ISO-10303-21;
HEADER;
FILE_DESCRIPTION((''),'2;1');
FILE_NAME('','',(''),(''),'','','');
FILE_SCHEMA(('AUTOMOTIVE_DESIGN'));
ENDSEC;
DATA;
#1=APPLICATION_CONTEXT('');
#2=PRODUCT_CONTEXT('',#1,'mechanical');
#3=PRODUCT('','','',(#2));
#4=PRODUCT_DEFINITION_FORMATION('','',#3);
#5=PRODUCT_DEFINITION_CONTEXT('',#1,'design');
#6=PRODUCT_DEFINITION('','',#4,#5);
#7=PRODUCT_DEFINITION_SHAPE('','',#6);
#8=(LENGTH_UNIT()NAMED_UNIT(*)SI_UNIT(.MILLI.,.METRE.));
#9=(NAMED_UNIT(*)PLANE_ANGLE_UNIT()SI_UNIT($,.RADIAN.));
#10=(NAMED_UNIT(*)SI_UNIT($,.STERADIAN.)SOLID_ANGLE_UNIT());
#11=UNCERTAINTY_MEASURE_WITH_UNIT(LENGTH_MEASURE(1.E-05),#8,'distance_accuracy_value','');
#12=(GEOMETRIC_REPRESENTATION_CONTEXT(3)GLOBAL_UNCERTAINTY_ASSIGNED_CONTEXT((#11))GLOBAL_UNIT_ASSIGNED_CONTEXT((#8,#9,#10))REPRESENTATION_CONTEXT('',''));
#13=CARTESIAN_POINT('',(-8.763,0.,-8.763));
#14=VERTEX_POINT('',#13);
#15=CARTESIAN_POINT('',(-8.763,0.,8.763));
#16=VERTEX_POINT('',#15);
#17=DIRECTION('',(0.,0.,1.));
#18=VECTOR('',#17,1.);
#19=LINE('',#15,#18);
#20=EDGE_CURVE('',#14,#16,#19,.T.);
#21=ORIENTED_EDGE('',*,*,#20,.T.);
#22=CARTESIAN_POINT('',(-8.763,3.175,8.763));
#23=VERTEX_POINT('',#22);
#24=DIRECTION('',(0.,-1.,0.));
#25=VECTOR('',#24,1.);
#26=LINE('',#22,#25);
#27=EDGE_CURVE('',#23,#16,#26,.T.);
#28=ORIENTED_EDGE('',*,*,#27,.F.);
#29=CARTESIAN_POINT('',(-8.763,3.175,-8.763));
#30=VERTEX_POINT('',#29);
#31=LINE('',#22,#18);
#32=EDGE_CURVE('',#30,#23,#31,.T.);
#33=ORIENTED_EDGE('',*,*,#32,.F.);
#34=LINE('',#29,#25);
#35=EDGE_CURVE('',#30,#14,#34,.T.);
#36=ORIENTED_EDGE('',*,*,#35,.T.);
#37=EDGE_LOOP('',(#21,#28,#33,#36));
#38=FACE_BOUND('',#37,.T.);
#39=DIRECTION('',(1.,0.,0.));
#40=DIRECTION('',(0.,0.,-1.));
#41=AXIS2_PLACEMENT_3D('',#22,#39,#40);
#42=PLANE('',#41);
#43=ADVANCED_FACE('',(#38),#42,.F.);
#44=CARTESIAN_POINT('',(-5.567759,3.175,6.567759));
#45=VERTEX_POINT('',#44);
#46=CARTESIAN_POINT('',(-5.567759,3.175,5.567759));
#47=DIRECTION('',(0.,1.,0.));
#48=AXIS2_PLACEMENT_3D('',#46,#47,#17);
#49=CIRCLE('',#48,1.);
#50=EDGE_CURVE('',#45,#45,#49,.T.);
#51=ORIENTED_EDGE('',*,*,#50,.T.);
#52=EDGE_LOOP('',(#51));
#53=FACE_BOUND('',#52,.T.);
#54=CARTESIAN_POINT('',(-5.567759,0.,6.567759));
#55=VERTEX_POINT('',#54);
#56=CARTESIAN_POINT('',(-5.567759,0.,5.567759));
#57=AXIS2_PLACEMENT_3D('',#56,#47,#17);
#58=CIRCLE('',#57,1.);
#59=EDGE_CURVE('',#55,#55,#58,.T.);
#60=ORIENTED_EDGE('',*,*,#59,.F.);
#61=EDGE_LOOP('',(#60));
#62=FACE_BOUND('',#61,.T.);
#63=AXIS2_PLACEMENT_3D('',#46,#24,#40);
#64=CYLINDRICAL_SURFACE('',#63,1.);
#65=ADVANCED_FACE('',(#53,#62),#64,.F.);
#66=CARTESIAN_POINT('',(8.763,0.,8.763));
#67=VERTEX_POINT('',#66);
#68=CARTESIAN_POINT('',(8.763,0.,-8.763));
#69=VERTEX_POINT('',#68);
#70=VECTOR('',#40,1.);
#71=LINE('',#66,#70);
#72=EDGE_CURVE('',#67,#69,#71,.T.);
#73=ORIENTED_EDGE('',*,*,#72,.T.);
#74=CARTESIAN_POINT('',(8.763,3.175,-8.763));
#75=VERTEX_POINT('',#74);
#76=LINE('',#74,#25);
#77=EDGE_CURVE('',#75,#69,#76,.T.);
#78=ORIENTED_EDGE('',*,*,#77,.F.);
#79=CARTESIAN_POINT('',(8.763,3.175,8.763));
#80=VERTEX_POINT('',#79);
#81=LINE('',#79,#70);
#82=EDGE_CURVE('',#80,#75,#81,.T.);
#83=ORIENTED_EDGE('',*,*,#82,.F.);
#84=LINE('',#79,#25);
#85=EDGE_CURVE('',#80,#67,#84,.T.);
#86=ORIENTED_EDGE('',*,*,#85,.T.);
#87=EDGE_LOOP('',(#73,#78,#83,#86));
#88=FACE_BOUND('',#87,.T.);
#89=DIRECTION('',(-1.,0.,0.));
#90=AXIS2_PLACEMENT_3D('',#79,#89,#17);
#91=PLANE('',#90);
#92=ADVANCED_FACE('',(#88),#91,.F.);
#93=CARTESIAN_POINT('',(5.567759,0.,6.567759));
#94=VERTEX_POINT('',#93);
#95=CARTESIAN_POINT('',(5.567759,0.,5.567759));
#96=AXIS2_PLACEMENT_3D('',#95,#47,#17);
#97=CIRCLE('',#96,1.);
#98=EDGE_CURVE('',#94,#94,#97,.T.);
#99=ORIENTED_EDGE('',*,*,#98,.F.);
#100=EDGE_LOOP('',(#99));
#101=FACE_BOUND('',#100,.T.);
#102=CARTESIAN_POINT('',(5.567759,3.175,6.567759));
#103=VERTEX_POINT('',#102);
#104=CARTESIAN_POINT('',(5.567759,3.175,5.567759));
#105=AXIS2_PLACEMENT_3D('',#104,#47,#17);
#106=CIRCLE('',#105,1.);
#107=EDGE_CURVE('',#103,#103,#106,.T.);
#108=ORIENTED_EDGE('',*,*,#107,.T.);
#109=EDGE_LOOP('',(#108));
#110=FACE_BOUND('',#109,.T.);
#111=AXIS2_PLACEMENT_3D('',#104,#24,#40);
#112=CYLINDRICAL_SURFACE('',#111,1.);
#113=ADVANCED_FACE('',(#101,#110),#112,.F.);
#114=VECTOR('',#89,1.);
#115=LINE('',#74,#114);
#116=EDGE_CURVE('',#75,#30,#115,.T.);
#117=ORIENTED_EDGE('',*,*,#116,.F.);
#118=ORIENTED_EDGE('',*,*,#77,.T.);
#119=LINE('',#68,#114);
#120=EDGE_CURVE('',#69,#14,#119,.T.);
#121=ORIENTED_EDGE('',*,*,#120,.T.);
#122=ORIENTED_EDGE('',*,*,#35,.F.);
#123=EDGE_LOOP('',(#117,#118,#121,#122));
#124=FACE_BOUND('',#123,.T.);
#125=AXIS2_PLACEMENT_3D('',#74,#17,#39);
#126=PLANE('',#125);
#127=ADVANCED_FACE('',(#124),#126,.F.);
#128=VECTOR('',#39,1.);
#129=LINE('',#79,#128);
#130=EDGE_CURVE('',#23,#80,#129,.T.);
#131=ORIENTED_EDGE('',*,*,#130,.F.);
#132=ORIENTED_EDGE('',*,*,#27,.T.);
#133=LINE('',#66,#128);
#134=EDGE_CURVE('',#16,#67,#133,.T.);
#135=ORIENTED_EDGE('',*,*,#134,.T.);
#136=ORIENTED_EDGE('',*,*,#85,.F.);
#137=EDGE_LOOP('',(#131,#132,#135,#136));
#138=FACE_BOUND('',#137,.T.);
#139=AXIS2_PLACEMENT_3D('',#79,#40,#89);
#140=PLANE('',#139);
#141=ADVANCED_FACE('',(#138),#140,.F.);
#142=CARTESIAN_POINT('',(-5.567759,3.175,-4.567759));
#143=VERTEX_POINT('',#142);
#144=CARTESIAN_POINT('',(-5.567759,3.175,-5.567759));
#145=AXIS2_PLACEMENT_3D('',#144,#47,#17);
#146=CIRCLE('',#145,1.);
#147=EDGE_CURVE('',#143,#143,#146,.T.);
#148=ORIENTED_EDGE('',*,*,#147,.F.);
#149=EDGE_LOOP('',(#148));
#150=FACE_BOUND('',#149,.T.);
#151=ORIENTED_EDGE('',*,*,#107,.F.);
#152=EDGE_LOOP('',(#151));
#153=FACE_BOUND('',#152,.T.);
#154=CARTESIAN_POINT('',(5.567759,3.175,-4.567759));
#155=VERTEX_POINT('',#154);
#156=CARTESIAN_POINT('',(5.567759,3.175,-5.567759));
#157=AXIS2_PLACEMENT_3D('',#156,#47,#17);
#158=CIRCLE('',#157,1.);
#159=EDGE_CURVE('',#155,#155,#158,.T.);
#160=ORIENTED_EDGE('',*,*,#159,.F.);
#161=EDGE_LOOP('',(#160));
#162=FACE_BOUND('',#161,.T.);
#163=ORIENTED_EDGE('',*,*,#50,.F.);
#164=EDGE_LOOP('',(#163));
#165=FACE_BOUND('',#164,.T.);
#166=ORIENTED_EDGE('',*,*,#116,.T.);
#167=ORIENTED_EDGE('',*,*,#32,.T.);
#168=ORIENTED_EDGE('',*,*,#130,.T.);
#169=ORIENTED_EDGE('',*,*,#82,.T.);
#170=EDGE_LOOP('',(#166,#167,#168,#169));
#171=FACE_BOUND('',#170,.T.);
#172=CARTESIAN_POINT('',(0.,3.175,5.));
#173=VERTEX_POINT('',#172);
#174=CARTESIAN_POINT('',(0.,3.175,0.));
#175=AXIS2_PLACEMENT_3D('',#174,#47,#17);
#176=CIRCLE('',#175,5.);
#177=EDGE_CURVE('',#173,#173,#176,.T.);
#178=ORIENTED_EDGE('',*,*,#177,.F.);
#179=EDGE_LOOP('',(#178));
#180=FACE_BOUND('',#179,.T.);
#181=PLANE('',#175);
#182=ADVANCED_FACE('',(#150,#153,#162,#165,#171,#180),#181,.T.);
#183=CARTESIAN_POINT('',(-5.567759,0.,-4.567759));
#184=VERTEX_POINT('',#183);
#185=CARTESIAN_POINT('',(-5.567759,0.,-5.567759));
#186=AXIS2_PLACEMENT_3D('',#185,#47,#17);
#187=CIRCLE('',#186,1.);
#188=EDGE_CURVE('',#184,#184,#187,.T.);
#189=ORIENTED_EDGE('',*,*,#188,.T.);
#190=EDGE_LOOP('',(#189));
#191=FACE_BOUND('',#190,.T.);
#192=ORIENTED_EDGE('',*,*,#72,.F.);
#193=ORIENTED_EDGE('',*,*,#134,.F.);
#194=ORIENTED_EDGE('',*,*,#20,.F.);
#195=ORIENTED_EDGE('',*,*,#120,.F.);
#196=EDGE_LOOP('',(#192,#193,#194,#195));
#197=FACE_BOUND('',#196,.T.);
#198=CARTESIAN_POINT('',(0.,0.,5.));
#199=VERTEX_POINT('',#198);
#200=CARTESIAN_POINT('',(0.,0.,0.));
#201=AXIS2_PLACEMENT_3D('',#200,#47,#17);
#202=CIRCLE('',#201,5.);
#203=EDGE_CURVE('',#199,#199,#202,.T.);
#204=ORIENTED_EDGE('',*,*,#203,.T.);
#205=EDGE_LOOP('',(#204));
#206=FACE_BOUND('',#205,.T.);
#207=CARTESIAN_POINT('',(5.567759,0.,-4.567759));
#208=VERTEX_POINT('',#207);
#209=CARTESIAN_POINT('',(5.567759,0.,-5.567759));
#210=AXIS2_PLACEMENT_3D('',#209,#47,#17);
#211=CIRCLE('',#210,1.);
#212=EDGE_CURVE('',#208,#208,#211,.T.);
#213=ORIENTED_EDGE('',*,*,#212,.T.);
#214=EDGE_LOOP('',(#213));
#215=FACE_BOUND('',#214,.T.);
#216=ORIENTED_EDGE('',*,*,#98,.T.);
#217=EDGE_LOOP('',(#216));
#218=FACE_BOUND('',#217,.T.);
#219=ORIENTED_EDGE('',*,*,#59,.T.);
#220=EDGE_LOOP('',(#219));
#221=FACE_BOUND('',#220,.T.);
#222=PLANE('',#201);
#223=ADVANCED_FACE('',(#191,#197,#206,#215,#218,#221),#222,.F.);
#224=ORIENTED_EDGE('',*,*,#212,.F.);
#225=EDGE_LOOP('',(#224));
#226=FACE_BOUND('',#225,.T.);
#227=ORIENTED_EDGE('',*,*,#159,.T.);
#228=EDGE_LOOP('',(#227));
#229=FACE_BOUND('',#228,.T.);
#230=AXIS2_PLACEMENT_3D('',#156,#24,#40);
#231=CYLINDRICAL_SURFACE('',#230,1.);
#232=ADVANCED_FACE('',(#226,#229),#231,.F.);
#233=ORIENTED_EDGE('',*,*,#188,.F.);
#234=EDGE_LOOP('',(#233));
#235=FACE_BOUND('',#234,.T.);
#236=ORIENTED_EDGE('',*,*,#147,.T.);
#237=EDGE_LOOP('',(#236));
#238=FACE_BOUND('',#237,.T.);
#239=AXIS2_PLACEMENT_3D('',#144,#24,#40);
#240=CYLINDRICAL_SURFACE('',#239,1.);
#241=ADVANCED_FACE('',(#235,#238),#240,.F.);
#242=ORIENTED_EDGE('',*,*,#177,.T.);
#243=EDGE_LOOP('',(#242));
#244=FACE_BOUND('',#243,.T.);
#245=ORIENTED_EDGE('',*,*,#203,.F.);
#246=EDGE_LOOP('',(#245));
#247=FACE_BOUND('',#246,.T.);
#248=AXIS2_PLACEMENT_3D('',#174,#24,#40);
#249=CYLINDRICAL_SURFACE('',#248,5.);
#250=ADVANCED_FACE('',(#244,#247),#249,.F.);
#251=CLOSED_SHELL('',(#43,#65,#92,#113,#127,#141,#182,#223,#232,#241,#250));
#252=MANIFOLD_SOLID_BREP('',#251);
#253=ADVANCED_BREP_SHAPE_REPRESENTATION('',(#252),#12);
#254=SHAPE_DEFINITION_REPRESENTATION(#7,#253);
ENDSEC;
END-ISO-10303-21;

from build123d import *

# Parameters (mm, degrees)
SKETCH1_W           = 17.526
SKETCH1_H           = 17.526
SKETCH1_R           = 1
SKETCH1_R_2         = 5
BOSS_EXTRUDE1_DEPTH = 3.175


with BuildPart() as part:
    # Sketch1 → Boss-Extrude1 (new body)
    with BuildSketch(Plane(origin=(0, 0, 0), x_dir=(1, 0, 0), z_dir=(0, 1, 0))):
        Rectangle(SKETCH1_W, SKETCH1_H)
        with Locations((-5.567758795, 5.567758795)):
            Circle(SKETCH1_R, mode=Mode.SUBTRACT)
        with Locations((5.567758795, 5.567758795)):
            Circle(SKETCH1_R, mode=Mode.SUBTRACT)
        with Locations((5.567758795, -5.567758795)):
            Circle(SKETCH1_R, mode=Mode.SUBTRACT)
        with Locations((-5.567758795, -5.567758795)):
            Circle(SKETCH1_R, mode=Mode.SUBTRACT)
        Circle(SKETCH1_R_2, mode=Mode.SUBTRACT)
    extrude(amount=BOSS_EXTRUDE1_DEPTH)


solid = part.part
